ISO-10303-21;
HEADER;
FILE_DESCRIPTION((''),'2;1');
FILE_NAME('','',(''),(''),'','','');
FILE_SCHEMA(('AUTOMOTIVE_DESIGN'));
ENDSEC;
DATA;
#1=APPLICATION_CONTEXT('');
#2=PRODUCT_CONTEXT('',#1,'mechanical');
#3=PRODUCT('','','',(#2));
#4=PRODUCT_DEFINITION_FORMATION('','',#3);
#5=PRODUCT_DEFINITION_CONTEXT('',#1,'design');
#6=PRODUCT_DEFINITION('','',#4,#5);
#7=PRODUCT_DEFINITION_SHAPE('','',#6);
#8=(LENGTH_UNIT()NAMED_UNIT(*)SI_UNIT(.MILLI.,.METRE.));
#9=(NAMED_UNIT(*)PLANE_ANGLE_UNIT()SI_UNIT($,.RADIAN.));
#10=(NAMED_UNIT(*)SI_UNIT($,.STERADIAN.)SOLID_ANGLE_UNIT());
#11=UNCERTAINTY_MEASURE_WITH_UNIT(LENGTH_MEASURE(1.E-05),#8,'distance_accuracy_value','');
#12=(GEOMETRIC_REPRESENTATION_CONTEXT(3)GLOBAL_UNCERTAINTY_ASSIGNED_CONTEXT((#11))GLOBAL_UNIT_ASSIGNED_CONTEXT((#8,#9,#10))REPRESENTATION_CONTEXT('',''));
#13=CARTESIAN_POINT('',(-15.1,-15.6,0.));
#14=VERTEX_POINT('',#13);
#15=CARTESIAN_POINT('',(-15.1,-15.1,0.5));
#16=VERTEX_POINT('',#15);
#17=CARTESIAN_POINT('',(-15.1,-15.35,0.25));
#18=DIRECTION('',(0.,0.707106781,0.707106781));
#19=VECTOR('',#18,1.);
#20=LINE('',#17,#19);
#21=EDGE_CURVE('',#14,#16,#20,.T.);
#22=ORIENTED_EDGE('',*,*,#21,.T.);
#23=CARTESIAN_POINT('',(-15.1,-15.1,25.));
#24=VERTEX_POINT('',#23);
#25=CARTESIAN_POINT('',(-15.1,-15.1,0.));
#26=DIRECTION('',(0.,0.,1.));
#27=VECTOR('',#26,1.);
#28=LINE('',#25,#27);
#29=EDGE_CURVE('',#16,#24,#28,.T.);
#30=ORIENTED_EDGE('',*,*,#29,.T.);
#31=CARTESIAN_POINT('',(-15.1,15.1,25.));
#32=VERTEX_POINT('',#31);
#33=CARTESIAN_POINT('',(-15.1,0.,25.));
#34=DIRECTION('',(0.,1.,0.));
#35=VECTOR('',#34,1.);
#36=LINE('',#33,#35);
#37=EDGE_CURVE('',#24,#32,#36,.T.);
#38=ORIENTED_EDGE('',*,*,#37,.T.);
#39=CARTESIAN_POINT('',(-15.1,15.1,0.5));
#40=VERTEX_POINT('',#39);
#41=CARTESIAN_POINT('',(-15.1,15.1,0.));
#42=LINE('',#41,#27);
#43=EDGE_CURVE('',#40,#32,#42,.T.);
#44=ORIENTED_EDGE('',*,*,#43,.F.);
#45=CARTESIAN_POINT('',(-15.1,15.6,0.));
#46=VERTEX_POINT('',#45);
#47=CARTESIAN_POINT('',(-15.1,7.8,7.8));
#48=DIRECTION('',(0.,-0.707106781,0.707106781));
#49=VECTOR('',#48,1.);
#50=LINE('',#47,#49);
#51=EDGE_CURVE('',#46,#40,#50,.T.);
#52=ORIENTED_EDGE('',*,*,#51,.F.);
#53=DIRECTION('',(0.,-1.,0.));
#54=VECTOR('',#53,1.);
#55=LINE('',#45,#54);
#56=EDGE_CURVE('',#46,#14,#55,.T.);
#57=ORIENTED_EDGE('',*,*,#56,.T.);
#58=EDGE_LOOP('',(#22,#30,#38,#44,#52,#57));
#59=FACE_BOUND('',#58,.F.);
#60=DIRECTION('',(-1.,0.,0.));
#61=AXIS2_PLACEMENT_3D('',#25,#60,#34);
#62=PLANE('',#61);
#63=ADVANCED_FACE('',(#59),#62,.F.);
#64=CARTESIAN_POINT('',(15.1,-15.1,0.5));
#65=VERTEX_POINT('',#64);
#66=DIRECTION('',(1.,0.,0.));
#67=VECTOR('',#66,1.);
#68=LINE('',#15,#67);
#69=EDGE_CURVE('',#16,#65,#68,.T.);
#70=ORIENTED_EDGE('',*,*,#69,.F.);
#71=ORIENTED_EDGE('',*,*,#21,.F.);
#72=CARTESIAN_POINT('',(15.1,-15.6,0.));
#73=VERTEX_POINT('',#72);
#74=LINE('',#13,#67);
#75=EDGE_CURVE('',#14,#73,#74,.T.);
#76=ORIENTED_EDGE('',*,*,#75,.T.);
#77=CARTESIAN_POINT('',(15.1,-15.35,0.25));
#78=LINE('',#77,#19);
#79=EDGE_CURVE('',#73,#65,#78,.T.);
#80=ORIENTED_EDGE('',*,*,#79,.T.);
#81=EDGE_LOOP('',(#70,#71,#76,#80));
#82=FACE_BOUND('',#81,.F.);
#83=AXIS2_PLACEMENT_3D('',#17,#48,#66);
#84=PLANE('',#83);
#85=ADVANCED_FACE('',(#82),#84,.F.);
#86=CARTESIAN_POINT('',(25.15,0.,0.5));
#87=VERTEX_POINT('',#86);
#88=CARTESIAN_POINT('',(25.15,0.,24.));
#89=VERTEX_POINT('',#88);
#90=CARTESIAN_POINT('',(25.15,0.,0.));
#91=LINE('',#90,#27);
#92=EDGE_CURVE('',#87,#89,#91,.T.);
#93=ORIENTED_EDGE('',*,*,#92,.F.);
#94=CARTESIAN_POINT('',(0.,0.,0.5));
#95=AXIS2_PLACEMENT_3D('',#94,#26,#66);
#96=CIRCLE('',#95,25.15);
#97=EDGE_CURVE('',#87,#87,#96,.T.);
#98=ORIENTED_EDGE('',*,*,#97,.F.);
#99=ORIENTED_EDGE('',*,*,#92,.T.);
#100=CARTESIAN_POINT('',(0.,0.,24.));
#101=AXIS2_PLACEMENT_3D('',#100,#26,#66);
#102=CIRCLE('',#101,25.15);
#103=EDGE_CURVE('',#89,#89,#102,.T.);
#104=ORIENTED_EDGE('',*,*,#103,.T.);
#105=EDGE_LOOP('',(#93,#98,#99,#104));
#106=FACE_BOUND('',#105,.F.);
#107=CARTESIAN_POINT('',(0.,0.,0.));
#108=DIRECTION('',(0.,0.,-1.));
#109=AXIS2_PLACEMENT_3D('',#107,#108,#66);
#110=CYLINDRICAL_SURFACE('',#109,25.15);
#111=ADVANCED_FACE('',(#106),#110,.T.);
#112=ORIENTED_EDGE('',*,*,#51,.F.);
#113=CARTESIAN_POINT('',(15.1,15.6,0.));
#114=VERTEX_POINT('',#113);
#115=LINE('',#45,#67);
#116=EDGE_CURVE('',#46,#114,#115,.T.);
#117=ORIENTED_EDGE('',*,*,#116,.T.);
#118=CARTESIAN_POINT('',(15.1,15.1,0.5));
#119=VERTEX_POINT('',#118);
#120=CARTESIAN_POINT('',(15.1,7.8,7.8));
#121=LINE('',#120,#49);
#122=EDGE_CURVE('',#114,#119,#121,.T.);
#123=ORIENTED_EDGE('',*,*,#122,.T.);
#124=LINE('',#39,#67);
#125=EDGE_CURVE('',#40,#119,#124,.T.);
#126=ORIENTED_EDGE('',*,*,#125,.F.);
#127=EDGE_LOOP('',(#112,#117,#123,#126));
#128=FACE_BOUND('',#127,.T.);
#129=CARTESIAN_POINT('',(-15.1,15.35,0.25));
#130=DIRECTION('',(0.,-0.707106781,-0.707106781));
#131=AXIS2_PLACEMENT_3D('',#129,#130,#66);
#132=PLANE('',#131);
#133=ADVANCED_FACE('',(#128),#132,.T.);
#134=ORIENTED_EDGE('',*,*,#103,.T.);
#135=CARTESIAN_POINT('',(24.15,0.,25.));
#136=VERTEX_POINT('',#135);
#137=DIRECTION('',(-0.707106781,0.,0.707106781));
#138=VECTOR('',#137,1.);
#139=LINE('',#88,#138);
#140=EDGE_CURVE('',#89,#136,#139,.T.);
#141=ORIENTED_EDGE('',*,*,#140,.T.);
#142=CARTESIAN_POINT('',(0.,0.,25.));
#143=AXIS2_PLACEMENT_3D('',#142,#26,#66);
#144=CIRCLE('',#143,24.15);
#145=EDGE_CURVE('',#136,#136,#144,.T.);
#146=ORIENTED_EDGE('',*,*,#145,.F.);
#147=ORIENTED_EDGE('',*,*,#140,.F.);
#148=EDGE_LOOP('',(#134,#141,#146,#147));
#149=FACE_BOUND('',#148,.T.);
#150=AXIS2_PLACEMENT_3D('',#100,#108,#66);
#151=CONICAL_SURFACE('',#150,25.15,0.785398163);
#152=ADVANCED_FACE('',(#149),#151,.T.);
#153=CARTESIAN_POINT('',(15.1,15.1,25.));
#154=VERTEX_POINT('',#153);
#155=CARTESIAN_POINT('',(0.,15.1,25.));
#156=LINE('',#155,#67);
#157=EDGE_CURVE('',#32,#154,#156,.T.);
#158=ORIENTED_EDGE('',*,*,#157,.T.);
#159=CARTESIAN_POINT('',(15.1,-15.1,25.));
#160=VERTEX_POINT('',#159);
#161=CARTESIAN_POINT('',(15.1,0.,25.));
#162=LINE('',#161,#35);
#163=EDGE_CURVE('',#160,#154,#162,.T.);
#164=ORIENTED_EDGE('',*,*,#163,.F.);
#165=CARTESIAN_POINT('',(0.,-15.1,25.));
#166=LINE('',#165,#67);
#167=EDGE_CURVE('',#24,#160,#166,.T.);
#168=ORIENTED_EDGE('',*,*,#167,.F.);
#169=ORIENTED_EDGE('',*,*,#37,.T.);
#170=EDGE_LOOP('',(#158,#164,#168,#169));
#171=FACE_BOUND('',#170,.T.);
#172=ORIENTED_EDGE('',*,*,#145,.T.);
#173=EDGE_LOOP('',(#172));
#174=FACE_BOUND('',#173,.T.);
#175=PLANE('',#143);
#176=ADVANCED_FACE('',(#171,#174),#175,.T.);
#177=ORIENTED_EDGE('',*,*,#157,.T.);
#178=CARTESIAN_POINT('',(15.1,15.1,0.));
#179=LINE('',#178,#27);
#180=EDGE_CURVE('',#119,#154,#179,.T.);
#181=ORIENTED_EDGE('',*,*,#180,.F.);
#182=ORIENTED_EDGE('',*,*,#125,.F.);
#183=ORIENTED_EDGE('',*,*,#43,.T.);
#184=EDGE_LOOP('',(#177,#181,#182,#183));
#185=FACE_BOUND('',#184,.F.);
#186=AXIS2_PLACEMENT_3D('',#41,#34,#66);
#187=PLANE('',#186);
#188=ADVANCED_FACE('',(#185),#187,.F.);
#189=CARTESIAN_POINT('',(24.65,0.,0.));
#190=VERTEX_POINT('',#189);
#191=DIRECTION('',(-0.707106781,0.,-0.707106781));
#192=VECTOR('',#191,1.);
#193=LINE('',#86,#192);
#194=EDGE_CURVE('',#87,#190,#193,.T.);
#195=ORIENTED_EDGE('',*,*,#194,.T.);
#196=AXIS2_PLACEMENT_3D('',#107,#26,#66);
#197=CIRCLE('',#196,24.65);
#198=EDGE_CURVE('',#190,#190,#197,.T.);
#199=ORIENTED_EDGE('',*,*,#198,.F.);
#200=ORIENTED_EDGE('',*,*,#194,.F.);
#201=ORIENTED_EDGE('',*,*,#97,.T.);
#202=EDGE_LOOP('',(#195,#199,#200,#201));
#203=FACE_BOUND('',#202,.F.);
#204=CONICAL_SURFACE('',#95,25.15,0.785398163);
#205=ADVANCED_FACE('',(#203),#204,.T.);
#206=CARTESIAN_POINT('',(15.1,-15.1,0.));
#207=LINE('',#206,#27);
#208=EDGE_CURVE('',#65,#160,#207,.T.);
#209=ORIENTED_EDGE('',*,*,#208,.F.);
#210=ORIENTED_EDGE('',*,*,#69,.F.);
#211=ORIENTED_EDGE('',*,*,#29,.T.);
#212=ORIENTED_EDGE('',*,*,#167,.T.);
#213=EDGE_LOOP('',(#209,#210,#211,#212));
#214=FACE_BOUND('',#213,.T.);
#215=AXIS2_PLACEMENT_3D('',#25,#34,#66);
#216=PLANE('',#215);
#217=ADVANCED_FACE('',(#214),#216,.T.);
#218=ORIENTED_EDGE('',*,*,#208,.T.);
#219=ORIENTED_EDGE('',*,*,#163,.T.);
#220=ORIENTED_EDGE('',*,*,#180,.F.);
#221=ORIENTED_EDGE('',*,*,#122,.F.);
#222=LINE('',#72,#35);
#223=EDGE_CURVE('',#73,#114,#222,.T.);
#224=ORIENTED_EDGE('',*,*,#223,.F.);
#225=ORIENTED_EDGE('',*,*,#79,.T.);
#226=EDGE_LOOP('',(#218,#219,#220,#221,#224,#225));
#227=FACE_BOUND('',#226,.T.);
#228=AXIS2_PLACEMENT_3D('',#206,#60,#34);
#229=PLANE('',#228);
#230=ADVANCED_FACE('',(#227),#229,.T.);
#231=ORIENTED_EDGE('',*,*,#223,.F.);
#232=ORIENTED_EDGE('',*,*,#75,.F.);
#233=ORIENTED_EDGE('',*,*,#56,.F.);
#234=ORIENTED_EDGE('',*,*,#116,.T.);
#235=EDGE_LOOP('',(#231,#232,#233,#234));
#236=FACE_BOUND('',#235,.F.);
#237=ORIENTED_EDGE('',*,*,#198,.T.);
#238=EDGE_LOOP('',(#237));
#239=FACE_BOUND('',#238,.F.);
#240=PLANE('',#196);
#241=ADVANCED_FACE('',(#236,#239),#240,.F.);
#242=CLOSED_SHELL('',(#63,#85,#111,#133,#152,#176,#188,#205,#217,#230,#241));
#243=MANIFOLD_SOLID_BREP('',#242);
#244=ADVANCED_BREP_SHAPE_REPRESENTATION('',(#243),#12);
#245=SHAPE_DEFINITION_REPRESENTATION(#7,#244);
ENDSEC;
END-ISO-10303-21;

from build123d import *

# Parameters (mm, degrees)
BOX717_W           = 30.2
BOX717_H           = 30.2
BOX717_DEPTH       = 25
CYLINDER1805_R     = 25.15
CYLINDER1805_DEPTH = 25
CHAMFER067_SIZE    = 0.5
CHAMFER066_SIZE    = 1
CHAMFER068_SIZE    = 0.5


with BuildPart() as krychle717:
    # Box717 → Box717 (new body)
    with BuildSketch(Plane(origin=(-15.1, -15.1, 0), x_dir=(1, 0, 0), z_dir=(0, 0, 1))):
        with Locations((15.1, 15.1)):
            Rectangle(BOX717_W, BOX717_H)
    extrude(amount=BOX717_DEPTH)


with BuildPart() as chamfer068:
    # Cylinder1805 → Cylinder1805 (new body)
    with BuildSketch(Plane.XY):
        Circle(CYLINDER1805_R)
    extrude(amount=CYLINDER1805_DEPTH)

    # Cut531: cut Krychle717
    add(krychle717.part, mode=Mode.SUBTRACT)

    # Chamfer067
    chamfer067_edges = [chamfer068.edges().sort_by_distance(p)[0] for p in [
        (0, -15.1, 0),
        (0, 15.1, 0),
    ]]
    chamfer(chamfer067_edges, length=CHAMFER067_SIZE)

    # Chamfer066
    chamfer066_edges = [chamfer068.edges().sort_by_distance(p)[0] for p in [
        (-25.15, 0, 25),
    ]]
    chamfer(chamfer066_edges, length=CHAMFER066_SIZE)

    # Chamfer068
    chamfer068_edges = [chamfer068.edges().sort_by_distance(p)[0] for p in [
        (-25.15, 0, 0),
    ]]
    chamfer(chamfer068_edges, length=CHAMFER068_SIZE)


solid = chamfer068.part
